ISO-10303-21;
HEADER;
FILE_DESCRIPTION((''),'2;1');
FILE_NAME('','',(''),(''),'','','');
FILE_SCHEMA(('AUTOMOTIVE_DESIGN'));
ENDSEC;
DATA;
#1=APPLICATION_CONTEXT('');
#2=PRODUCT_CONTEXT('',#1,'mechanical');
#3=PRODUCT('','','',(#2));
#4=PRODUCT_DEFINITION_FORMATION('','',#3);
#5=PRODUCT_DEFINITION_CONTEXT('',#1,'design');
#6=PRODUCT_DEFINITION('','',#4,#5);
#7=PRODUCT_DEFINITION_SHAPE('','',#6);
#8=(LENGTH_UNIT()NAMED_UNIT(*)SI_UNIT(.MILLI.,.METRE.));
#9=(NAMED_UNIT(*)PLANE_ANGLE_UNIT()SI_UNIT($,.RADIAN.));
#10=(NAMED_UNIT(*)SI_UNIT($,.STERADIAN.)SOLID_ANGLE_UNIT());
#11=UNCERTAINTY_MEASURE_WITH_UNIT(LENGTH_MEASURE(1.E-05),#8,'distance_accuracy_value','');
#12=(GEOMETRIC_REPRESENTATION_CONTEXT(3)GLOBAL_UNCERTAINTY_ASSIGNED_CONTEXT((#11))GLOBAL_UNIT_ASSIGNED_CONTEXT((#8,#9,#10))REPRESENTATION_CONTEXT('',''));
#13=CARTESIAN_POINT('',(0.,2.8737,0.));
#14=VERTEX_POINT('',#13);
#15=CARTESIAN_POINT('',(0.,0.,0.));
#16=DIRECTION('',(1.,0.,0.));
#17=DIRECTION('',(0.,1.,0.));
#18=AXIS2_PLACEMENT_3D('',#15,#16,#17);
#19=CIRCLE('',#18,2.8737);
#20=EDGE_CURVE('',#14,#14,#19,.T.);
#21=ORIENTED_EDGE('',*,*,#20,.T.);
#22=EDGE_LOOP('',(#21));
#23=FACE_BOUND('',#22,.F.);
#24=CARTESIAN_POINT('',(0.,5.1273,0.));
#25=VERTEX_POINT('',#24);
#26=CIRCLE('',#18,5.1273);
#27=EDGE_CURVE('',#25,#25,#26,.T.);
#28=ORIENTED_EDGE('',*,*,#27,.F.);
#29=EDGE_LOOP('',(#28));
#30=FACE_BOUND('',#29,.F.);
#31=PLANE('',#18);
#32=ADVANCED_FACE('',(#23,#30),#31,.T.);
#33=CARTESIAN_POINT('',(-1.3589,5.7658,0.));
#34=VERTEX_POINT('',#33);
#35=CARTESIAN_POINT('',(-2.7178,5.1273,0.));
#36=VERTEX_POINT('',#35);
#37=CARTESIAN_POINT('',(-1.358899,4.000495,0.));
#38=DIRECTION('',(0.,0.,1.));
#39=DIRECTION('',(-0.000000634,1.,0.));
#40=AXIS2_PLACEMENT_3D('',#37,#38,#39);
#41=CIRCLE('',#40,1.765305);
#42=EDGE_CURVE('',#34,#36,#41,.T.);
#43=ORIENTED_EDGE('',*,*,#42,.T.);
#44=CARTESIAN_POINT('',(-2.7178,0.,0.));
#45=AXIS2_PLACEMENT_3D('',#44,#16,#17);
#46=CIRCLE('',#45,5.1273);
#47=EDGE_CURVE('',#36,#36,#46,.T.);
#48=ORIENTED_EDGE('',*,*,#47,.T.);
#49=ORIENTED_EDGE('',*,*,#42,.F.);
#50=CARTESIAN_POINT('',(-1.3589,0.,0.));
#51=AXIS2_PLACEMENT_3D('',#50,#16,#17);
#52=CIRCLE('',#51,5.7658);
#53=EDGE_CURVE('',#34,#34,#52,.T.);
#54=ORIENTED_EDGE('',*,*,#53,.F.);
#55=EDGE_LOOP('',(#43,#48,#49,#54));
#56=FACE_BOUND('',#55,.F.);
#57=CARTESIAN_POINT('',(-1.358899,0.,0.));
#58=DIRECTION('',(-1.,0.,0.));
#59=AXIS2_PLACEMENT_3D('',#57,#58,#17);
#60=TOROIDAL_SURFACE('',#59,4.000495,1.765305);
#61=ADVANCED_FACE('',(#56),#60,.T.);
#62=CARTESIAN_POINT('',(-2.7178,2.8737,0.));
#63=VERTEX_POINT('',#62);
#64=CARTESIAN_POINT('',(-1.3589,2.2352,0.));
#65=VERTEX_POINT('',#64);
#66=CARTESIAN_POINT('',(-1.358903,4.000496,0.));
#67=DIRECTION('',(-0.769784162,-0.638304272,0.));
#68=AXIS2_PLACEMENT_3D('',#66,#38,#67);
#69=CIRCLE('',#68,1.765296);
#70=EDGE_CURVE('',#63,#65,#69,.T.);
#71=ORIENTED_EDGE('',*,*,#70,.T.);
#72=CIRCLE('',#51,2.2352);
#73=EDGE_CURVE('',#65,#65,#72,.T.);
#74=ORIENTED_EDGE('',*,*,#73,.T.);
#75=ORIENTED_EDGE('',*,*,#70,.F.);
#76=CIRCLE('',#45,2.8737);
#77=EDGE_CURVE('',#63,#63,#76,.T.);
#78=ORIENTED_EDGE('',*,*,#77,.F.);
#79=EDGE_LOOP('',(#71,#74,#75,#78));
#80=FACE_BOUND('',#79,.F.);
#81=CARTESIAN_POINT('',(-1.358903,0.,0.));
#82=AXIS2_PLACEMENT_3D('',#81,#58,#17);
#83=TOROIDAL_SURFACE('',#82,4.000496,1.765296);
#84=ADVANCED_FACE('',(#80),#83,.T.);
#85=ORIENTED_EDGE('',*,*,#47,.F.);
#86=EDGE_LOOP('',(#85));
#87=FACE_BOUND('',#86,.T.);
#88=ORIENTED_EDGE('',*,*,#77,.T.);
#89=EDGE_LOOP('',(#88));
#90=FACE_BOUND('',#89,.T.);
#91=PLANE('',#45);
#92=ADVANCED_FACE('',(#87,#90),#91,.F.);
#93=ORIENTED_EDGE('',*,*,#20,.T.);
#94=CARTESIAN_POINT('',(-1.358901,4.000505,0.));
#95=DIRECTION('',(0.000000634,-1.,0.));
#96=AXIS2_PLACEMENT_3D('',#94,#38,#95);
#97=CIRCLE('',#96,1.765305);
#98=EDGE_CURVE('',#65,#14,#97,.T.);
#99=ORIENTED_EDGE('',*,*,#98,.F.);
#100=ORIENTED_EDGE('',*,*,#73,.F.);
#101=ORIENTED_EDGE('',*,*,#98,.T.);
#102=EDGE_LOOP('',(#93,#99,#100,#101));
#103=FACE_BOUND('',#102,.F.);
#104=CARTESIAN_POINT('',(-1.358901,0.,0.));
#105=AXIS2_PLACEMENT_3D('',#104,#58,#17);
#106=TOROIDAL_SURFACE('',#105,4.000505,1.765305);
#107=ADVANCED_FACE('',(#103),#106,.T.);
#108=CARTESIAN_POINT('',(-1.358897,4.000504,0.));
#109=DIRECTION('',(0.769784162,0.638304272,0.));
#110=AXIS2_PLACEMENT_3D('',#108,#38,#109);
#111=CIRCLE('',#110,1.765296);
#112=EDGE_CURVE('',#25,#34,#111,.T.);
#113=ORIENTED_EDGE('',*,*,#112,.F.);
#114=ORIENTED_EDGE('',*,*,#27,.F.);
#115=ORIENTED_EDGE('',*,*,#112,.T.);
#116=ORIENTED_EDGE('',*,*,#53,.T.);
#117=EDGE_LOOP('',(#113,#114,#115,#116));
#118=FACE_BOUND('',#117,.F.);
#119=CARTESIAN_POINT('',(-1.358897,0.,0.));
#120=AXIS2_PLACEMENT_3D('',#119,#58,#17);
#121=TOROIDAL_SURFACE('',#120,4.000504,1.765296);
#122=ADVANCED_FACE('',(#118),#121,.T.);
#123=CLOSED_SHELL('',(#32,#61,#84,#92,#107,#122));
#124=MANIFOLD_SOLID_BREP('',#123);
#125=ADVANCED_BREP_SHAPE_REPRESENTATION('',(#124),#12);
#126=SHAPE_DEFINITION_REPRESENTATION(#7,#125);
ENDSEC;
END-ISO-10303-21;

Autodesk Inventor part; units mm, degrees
ref_plane "YZ Plane" through (0, 0, 0) normal (1, 0, 0) x (0, 1, 0)
ref_plane "XZ Plane" through (0, 0, 0) normal (0, 1, 0) x (-1, 0, 0)
ref_plane "XY Plane" through (0, 0, 0) normal (0, 0, 1) x (1, 0, 0)
sketch "Sketch1" plane through (0, 0, 0) normal (0, 0, 1) x (1, 0, 0)
  arc A0 (-1.3589, 2.2352) -> (0, 2.8737) centre (-1.3589, 4.0005) ccw
  line L0 (0, 4.0005) -> (-1.3589, 4.0005)
  line L1 (-1.3589, 4.0005) -> (-1.3589, 2.2352)
  line L2 (0, 2.8737) -> (0, 4.0005)
  arc A1 (0, 5.1273) -> (-1.3589, 5.7658) centre (-1.3589, 4.0005) ccw
  line L3 (-1.3589, 4.0005) -> (-1.3589, 5.7658)
  line L4 (0, 5.1273) -> (0, 4.0005)
  arc A2 (-2.7178, 2.8737) -> (-1.3589, 2.2352) centre (-1.3589, 4.0005) ccw
  line L5 (-2.7178, 2.8737) -> (-2.7178, 4.0005)
  arc A3 (-1.3589, 5.7658) -> (-2.7178, 5.1273) centre (-1.3589, 4.0005) ccw
  line L6 (-1.3589, 4.0005) -> (-1.3589, 5.7658)
  line L7 (-2.7178, 5.1273) -> (-2.7178, 4.0005)
  line L8 (0, 20.1057) -> (0, -3.3509) projected
  line L9 (-2, 0) -> (1, 0)
  line L10 (-2.62, 0) -> (1.6033, 0) projected
  dimension "d0" = 1.7653
  dimension "d1" = 1.3589
  dimension "d13" = 4.4704
revolve "Body" add sketch "Sketch1" angle 360 about axis through (-2, 0, 0) along (1, 0, 0)
equation "\"d0\" = 0.5 * QDM"
equation "\"d1\" = 0.5 * NTOR"
equation "\"d13\" = NDO1"
equation "\"QDM\" = 3.5306"
equation "\"NTOR\" = 2.7178"
equation "\"NDO1\" = 4.4704"
equation "\"R2\" = 0.254"
equation "\"SD1\" = 4.3434"
equation "\"R1\" = 0.508"
equation "\"NB1\" = 5.334"
properties part number "AS 568 - DASH # 201" material "Rubber"
